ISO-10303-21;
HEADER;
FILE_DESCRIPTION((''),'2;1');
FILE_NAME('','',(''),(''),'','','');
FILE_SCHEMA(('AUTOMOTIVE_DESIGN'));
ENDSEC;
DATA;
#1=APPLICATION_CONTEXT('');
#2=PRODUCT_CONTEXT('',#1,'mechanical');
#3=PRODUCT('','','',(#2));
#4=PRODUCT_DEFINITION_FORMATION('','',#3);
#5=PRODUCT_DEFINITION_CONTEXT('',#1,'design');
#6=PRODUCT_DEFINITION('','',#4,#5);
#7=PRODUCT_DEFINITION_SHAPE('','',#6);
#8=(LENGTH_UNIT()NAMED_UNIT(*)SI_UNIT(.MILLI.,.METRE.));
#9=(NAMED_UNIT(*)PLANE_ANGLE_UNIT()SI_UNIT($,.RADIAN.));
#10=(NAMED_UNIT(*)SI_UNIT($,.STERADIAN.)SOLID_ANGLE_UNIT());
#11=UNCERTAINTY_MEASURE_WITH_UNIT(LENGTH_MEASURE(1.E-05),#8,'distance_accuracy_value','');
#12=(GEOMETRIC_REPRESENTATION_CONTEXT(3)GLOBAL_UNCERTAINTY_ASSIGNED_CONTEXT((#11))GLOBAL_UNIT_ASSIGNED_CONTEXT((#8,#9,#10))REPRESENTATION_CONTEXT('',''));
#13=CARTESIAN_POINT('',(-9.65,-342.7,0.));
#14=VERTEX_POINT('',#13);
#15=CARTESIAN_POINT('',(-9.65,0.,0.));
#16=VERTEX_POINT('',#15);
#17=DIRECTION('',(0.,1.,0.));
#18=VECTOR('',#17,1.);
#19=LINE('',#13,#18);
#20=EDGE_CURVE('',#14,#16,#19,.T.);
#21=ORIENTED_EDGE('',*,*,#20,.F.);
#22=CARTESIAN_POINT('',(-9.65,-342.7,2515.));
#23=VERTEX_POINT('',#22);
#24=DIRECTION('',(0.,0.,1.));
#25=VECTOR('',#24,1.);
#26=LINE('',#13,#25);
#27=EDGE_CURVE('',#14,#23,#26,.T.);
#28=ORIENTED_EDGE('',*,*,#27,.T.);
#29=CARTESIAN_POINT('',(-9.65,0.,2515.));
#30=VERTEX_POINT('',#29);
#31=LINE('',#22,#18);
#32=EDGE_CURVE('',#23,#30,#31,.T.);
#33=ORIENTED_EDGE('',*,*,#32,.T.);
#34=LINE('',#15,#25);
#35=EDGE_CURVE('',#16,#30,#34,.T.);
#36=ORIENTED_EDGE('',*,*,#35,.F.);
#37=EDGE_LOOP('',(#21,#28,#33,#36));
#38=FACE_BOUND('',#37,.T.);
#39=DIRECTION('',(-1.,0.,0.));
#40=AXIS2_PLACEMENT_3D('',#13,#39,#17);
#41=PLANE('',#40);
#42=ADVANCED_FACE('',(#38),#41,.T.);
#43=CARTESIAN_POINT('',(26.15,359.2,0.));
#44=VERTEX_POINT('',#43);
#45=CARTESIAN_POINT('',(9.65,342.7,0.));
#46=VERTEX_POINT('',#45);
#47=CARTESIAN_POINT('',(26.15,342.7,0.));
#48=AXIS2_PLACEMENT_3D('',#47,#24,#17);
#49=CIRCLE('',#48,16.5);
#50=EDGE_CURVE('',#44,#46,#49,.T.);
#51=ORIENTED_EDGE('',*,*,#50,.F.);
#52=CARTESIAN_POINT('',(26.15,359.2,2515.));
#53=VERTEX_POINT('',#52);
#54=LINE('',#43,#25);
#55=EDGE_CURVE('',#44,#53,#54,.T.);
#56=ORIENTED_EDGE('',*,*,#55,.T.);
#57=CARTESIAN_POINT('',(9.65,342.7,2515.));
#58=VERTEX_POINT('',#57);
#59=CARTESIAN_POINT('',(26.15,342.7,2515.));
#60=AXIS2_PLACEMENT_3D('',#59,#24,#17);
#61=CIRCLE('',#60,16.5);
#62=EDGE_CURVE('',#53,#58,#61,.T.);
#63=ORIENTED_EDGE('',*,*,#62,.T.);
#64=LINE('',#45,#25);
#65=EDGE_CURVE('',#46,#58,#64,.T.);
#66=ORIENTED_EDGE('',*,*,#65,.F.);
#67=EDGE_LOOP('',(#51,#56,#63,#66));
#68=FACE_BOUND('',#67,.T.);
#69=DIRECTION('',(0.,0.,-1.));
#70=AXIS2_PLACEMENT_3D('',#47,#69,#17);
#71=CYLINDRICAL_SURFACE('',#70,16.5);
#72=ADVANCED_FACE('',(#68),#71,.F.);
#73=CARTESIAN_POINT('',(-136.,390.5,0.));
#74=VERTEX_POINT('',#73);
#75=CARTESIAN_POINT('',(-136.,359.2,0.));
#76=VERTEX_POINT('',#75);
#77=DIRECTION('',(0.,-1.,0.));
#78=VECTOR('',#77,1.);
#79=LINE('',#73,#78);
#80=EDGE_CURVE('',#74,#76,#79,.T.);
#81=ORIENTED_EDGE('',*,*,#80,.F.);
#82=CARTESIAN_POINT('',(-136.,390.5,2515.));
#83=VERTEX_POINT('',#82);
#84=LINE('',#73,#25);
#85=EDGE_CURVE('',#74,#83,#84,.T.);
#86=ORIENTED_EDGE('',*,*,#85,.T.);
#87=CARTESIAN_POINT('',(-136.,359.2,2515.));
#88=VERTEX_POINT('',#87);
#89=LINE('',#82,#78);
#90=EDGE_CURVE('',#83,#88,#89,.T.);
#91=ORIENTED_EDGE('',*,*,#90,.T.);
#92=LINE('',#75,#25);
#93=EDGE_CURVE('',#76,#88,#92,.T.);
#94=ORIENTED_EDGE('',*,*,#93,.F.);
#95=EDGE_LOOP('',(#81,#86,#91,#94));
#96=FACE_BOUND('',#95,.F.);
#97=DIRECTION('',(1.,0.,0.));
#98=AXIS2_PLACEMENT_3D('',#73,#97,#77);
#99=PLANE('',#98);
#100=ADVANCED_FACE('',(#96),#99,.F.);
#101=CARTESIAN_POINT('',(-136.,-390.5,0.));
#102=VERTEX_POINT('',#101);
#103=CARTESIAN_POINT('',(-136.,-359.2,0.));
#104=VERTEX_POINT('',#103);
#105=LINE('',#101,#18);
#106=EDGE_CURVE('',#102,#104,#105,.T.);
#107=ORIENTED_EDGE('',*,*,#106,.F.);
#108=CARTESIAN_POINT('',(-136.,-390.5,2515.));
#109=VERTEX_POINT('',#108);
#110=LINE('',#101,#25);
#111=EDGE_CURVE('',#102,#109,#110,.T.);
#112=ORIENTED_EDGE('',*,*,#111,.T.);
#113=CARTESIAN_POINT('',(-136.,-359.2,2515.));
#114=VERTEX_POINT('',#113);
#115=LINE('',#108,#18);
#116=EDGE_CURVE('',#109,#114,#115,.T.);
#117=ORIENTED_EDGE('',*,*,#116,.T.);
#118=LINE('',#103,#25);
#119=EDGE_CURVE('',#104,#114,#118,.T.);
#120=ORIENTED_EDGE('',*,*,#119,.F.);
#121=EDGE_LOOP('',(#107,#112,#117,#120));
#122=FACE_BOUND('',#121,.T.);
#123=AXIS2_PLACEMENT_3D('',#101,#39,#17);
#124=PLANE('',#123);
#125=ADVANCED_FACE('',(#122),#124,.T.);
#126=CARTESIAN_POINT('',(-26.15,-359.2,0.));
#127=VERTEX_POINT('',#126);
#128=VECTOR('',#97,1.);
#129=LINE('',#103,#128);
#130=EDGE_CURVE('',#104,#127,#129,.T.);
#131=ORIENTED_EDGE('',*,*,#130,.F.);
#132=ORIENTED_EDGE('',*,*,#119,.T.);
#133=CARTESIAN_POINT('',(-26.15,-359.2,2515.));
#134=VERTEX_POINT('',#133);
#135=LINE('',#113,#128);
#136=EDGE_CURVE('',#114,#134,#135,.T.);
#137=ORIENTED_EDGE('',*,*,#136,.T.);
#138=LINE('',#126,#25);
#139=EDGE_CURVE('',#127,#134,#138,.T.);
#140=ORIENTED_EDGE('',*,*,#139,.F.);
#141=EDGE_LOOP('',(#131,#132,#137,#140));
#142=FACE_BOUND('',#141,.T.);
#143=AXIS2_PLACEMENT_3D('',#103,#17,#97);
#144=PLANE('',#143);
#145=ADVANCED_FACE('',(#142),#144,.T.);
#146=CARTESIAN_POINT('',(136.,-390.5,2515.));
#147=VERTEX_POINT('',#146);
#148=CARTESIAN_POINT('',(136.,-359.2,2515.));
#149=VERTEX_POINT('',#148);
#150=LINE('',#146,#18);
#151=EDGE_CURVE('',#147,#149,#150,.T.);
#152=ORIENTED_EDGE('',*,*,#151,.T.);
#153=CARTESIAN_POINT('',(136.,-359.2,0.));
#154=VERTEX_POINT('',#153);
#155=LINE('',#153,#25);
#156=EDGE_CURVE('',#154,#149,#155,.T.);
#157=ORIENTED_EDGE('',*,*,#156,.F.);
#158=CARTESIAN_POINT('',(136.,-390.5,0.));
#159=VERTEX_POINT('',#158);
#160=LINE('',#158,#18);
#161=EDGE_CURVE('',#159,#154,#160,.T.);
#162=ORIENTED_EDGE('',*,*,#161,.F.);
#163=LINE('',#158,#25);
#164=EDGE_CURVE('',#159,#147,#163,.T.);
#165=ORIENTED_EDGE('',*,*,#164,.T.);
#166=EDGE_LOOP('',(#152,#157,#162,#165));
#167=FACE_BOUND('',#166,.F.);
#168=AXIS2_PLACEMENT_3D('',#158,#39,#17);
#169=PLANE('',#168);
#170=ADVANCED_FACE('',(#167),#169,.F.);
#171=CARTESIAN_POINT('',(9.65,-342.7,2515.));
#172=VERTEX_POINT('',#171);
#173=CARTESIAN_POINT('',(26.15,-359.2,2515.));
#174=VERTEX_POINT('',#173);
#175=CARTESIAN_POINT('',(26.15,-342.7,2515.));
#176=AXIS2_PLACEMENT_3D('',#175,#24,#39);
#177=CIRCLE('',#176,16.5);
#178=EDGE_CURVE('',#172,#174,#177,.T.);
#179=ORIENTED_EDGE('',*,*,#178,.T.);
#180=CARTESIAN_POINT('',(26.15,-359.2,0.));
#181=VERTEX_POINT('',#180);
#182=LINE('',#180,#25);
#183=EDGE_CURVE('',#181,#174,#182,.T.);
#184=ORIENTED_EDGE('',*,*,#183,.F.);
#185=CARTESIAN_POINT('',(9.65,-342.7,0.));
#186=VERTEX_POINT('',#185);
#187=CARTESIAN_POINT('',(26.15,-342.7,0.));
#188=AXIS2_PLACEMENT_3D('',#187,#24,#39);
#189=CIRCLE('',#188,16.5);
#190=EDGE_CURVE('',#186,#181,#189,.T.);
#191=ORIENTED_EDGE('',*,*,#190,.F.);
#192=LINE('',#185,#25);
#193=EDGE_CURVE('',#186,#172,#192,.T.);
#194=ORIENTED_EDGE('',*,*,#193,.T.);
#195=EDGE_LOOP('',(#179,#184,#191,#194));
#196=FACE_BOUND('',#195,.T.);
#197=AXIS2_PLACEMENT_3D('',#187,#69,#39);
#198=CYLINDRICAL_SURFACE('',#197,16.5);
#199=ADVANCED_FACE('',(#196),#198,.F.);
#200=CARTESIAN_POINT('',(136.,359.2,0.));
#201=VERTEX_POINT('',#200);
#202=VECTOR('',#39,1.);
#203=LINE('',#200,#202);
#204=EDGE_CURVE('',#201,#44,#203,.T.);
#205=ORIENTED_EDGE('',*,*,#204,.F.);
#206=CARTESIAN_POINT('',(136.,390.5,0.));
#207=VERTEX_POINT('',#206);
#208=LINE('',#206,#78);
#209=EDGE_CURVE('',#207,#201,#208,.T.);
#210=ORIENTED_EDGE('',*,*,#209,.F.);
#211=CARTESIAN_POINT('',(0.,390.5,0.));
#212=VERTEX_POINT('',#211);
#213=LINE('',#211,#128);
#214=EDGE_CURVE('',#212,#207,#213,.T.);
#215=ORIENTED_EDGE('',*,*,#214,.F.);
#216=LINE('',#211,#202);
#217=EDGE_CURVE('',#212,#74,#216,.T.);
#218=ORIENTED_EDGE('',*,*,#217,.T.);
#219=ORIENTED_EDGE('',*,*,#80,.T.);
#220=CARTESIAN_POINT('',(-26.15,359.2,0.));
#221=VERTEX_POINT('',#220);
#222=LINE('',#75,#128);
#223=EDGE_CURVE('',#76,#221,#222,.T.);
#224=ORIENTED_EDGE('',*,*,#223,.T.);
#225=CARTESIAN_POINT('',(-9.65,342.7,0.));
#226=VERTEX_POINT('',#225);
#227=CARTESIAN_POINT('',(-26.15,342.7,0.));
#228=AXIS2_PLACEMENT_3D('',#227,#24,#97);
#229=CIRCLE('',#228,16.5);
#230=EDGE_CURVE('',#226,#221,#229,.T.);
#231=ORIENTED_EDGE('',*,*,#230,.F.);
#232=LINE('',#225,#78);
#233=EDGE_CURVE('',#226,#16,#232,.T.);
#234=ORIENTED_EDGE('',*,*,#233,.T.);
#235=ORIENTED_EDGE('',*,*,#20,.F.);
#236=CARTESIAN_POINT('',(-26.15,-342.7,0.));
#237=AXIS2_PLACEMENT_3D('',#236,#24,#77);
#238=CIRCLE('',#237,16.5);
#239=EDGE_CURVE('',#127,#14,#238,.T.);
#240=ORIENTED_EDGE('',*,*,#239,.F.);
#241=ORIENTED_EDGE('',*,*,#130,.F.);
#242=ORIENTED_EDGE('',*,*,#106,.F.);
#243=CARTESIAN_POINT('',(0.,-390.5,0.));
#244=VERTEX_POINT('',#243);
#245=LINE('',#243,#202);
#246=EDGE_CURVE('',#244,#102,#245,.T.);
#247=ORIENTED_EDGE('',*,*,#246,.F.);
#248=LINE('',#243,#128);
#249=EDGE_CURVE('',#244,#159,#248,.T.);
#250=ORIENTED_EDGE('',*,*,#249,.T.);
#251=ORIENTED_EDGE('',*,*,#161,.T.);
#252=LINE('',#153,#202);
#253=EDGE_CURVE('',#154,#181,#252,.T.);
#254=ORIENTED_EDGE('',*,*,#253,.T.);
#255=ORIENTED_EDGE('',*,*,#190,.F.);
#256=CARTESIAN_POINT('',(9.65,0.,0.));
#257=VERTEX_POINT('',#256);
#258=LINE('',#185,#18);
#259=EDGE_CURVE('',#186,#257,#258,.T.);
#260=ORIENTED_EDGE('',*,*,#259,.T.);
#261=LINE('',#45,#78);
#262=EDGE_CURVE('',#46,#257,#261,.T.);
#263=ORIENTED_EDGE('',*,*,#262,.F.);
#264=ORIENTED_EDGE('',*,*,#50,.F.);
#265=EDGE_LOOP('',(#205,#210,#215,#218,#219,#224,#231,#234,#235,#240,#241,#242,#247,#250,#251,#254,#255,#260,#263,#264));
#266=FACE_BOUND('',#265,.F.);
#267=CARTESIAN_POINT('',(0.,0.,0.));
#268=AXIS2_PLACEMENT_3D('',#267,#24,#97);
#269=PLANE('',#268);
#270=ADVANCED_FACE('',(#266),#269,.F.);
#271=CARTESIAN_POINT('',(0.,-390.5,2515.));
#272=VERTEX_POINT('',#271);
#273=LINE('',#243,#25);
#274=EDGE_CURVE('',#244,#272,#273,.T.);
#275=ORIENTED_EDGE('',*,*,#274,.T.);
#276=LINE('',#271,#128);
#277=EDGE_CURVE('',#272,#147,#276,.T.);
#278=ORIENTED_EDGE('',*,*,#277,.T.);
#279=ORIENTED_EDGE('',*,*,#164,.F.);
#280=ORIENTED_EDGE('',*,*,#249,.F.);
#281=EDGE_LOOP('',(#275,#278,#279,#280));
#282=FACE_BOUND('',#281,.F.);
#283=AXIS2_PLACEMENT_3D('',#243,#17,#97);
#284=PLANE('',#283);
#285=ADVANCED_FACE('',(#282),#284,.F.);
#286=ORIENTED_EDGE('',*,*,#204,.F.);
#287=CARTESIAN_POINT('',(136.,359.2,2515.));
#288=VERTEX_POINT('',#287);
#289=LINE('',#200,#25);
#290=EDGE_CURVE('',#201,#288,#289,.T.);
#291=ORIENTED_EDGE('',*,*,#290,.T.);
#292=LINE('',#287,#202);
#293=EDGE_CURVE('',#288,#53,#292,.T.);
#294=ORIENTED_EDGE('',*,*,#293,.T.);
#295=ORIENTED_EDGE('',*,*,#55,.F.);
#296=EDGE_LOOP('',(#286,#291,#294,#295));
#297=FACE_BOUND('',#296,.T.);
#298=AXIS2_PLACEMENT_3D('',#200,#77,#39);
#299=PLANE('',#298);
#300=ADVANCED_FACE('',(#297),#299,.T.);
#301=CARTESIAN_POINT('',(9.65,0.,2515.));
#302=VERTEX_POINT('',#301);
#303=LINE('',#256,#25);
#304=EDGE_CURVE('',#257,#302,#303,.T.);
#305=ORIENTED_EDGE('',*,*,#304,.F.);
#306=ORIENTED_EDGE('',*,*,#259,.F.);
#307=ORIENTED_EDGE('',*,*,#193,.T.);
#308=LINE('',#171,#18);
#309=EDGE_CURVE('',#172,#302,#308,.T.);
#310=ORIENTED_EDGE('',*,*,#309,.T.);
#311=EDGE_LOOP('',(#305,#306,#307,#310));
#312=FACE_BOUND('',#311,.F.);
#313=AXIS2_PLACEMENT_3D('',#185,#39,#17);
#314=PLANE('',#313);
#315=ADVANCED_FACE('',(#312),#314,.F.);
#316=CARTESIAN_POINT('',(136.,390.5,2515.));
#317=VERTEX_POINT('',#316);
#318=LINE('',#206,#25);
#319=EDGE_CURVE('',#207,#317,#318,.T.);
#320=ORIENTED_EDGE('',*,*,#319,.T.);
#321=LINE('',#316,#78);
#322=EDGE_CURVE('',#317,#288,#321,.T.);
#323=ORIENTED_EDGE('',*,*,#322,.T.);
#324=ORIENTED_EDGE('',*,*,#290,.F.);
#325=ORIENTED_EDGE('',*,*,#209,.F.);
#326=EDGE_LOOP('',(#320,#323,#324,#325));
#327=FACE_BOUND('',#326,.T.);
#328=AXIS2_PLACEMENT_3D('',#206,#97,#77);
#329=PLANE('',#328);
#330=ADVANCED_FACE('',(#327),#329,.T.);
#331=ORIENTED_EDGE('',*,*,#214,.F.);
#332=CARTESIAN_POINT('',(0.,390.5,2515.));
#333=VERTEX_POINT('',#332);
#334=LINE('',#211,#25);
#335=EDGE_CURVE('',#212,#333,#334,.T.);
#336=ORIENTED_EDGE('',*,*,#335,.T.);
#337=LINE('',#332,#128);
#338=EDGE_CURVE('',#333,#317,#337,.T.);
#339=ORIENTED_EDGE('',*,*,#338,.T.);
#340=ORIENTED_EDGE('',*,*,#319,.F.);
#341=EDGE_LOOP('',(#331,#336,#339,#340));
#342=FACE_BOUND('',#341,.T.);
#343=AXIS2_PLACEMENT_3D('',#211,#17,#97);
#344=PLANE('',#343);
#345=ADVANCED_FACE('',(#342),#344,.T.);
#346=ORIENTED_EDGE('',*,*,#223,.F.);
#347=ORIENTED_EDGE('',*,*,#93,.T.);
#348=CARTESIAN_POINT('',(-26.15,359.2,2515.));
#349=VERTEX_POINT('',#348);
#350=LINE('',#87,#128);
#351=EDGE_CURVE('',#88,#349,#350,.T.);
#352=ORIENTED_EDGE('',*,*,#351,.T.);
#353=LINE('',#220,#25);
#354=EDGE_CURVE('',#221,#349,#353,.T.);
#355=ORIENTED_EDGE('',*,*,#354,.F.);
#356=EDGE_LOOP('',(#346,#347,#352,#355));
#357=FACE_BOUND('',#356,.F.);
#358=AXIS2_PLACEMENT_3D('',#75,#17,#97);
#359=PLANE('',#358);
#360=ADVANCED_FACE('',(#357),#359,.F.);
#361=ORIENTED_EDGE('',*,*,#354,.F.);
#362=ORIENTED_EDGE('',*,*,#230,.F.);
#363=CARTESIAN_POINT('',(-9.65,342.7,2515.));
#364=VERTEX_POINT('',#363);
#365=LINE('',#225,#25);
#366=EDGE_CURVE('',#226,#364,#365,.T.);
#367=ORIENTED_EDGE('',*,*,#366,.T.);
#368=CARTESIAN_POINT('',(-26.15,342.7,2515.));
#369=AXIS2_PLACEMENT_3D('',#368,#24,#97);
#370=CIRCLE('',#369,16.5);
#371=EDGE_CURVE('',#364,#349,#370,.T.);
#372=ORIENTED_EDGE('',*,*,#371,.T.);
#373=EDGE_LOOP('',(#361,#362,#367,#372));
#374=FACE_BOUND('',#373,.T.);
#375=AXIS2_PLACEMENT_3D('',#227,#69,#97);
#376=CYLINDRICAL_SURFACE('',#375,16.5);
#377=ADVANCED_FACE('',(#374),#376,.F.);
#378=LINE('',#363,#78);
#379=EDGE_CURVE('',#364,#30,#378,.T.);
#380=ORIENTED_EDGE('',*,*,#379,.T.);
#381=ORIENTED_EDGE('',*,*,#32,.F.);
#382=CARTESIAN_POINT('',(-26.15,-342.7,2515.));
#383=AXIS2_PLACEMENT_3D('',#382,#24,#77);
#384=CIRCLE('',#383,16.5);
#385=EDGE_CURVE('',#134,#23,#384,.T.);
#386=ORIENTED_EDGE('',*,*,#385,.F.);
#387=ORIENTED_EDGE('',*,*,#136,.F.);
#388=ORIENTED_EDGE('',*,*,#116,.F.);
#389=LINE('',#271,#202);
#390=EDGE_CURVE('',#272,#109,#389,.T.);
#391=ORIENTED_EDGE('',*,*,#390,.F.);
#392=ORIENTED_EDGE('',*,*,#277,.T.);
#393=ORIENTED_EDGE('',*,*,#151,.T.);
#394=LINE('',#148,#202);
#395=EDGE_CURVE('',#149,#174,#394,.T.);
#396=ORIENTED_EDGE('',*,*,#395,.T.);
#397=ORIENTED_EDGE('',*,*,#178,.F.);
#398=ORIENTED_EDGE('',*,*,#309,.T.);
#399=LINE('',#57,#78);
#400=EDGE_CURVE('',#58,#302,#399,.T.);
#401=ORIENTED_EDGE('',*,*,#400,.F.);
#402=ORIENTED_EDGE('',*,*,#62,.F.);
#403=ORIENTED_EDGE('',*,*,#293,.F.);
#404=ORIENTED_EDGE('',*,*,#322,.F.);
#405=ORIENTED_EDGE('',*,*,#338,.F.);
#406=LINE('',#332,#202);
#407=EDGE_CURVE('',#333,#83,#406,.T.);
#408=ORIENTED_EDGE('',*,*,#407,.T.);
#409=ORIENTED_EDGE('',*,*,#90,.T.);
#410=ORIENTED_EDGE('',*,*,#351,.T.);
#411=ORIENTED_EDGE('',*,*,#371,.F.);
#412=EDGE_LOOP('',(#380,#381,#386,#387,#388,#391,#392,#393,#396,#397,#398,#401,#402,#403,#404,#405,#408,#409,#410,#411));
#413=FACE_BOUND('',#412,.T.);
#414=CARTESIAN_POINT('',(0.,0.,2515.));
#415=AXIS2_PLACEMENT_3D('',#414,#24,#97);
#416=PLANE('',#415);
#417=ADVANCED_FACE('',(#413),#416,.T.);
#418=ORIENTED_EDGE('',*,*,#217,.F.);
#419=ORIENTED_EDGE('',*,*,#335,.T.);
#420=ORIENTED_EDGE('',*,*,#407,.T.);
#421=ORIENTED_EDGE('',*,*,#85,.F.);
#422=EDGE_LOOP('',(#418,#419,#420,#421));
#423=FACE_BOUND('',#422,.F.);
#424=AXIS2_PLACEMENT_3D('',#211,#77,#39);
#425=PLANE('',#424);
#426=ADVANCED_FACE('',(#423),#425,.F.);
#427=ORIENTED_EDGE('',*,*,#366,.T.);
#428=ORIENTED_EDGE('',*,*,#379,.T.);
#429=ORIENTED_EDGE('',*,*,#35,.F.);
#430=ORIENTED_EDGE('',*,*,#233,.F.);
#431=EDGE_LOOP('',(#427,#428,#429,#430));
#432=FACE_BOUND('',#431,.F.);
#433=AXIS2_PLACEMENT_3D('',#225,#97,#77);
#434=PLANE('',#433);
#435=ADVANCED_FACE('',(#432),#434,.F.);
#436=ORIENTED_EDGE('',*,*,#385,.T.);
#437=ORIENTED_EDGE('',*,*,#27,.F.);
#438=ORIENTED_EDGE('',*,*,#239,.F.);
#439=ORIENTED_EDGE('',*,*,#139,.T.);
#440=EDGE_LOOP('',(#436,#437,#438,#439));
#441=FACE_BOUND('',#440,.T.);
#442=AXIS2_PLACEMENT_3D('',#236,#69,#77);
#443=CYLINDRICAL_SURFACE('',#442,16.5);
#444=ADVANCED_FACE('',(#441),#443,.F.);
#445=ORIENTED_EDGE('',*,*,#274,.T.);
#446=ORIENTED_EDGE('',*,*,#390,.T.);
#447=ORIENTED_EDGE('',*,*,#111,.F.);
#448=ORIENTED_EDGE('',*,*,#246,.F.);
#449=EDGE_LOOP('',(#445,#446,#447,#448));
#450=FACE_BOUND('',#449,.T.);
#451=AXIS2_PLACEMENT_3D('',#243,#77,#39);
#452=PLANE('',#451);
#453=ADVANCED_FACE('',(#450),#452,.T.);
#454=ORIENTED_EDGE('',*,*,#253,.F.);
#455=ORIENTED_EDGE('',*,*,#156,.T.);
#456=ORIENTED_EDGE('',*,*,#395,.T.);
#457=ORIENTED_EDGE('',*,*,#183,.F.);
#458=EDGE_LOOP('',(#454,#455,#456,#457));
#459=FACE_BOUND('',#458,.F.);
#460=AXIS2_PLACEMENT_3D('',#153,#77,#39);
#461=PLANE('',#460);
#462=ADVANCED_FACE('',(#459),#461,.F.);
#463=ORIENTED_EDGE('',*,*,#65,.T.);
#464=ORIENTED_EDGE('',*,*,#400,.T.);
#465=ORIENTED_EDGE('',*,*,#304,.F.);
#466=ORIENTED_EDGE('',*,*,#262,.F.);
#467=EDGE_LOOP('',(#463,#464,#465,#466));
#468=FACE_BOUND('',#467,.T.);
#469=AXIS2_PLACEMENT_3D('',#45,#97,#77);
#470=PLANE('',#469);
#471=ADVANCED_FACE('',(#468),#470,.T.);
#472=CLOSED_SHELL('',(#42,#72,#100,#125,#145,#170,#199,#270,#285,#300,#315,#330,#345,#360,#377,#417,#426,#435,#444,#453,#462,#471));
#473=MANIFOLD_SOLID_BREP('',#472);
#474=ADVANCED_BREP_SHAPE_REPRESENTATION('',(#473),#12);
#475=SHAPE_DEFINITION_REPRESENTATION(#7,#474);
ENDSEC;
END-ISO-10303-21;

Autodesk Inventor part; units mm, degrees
ref_plane "YZ Plane" through (0, 0, 0) normal (1, 0, 0) x (0, 1, 0)
ref_plane "Start plane" through (0, 0, 0) normal (0, 0, 1) x (1, 0, 0)
ref_plane "End plane" through (0, 0, 2515) normal (0, 0, 1) x (1, 0, 0)
sketch "Sketch" plane through (0, 0, 0) normal (0, 0, 1) x (1, 0, 0)
  line L0 (-136, -390.5) -> (-136, -359.2)
  line L1 (-136, -359.2) -> (-26.15, -359.2)
  line L2 (-9.65, -342.7) -> (-9.65, 0)
  line L3 (-9.65, 0) -> (0, 0) construction
  line L4 (0, 0) -> (0, -390.5) construction
  line L5 (0, -390.5) -> (-136, -390.5)
  line L6 (-60, 0) -> (80, 0) construction
  line L7 (0, -60) -> (0, 80) construction
  line L8 (136, -390.5) -> (136, -359.2)
  line L9 (136, -359.2) -> (26.15, -359.2)
  line L10 (9.65, -342.7) -> (9.65, 0)
  line L11 (9.65, 0) -> (0, 0) construction
  line L12 (0, -390.5) -> (136, -390.5)
  line L13 (-136, 390.5) -> (-136, 359.2)
  line L14 (-136, 359.2) -> (-26.15, 359.2)
  line L15 (-9.65, 342.7) -> (-9.65, 0)
  line L16 (0, 390.5) -> (-136, 390.5)
  line L17 (136, 390.5) -> (136, 359.2)
  line L18 (136, 359.2) -> (26.15, 359.2)
  line L19 (0, 390.5) -> (136, 390.5)
  line L20 (9.65, 342.7) -> (9.65, 0)
  arc A0 (-9.65, 342.7) -> (-26.15, 359.2) centre (-26.15, 342.7) ccw
  arc A1 (26.15, 359.2) -> (9.65, 342.7) centre (26.15, 342.7) ccw
  arc A2 (9.65, -342.7) -> (26.15, -359.2) centre (26.15, -342.7) ccw
  arc A3 (-26.15, -359.2) -> (-9.65, -342.7) centre (-26.15, -342.7) ccw
  line L21 (0, 108) -> (0, -88) construction
  line L22 (-88, 0) -> (108, 0) construction
  point P0 (-9.65, -359.2)
  point P1 (9.65, -359.2)
  point P2 (-9.65, 359.2)
  point P3 (9.65, 359.2)
  dimension "d1" = 390.5
  dimension "d2" = 31.3
  dimension "d3" = 136
  dimension "d4" = 9.65
  dimension "d10" = 16.5
extrude "Body" add sketch "Sketch" along normal up to surface (2515 mm away) from surface at 0
sketch "Sketch4" plane through (0, 0, 0) normal (0, 0, 1) x (1, 0, 0)
  line L0 (0, 0) -> (10, 0)
ref_plane "Work Plane3" through (0, 0, 0) normal (0, -1, 0) x (1, 0, 0)
sketch "Sketch5" plane through (0, 0, 0) normal (0, -1, 0) x (1, 0, 0)
  line L0 (-2, 0) -> (12, 0) projected
  line L1 (-2, 2515) -> (12, 2515) projected
  dimension "d14" = 2515
equation "\"d1\" = 0.5 * G_H"
equation "\"d2\" = G_T1"
equation "\"d3\" = 0.5 * G_W"
equation "\"d4\" = 0.5 * G_T"
equation "\"d10\" = G_IR"
equation "\"d5\" = G_L"
equation "\"G_W\" = 272"
equation "\"G_H\" = 781"
equation "\"G_T\" = 19.3"
equation "\"G_T1\" = 31.3"
equation "\"G_IR\" = 16.5"
equation "\"G_L\" = d14"
equation "\"G_OFFSET_START\" = 0"
equation "\"G_OFFSET_END\" = 0"
equation "\"d12\" = G_OFFSET_END + B_L"
equation "\"B_L\" = 2515"
properties part number "AS 3679-1990 - 760 UB - 244 - 2515" material "Steel, Mild"
